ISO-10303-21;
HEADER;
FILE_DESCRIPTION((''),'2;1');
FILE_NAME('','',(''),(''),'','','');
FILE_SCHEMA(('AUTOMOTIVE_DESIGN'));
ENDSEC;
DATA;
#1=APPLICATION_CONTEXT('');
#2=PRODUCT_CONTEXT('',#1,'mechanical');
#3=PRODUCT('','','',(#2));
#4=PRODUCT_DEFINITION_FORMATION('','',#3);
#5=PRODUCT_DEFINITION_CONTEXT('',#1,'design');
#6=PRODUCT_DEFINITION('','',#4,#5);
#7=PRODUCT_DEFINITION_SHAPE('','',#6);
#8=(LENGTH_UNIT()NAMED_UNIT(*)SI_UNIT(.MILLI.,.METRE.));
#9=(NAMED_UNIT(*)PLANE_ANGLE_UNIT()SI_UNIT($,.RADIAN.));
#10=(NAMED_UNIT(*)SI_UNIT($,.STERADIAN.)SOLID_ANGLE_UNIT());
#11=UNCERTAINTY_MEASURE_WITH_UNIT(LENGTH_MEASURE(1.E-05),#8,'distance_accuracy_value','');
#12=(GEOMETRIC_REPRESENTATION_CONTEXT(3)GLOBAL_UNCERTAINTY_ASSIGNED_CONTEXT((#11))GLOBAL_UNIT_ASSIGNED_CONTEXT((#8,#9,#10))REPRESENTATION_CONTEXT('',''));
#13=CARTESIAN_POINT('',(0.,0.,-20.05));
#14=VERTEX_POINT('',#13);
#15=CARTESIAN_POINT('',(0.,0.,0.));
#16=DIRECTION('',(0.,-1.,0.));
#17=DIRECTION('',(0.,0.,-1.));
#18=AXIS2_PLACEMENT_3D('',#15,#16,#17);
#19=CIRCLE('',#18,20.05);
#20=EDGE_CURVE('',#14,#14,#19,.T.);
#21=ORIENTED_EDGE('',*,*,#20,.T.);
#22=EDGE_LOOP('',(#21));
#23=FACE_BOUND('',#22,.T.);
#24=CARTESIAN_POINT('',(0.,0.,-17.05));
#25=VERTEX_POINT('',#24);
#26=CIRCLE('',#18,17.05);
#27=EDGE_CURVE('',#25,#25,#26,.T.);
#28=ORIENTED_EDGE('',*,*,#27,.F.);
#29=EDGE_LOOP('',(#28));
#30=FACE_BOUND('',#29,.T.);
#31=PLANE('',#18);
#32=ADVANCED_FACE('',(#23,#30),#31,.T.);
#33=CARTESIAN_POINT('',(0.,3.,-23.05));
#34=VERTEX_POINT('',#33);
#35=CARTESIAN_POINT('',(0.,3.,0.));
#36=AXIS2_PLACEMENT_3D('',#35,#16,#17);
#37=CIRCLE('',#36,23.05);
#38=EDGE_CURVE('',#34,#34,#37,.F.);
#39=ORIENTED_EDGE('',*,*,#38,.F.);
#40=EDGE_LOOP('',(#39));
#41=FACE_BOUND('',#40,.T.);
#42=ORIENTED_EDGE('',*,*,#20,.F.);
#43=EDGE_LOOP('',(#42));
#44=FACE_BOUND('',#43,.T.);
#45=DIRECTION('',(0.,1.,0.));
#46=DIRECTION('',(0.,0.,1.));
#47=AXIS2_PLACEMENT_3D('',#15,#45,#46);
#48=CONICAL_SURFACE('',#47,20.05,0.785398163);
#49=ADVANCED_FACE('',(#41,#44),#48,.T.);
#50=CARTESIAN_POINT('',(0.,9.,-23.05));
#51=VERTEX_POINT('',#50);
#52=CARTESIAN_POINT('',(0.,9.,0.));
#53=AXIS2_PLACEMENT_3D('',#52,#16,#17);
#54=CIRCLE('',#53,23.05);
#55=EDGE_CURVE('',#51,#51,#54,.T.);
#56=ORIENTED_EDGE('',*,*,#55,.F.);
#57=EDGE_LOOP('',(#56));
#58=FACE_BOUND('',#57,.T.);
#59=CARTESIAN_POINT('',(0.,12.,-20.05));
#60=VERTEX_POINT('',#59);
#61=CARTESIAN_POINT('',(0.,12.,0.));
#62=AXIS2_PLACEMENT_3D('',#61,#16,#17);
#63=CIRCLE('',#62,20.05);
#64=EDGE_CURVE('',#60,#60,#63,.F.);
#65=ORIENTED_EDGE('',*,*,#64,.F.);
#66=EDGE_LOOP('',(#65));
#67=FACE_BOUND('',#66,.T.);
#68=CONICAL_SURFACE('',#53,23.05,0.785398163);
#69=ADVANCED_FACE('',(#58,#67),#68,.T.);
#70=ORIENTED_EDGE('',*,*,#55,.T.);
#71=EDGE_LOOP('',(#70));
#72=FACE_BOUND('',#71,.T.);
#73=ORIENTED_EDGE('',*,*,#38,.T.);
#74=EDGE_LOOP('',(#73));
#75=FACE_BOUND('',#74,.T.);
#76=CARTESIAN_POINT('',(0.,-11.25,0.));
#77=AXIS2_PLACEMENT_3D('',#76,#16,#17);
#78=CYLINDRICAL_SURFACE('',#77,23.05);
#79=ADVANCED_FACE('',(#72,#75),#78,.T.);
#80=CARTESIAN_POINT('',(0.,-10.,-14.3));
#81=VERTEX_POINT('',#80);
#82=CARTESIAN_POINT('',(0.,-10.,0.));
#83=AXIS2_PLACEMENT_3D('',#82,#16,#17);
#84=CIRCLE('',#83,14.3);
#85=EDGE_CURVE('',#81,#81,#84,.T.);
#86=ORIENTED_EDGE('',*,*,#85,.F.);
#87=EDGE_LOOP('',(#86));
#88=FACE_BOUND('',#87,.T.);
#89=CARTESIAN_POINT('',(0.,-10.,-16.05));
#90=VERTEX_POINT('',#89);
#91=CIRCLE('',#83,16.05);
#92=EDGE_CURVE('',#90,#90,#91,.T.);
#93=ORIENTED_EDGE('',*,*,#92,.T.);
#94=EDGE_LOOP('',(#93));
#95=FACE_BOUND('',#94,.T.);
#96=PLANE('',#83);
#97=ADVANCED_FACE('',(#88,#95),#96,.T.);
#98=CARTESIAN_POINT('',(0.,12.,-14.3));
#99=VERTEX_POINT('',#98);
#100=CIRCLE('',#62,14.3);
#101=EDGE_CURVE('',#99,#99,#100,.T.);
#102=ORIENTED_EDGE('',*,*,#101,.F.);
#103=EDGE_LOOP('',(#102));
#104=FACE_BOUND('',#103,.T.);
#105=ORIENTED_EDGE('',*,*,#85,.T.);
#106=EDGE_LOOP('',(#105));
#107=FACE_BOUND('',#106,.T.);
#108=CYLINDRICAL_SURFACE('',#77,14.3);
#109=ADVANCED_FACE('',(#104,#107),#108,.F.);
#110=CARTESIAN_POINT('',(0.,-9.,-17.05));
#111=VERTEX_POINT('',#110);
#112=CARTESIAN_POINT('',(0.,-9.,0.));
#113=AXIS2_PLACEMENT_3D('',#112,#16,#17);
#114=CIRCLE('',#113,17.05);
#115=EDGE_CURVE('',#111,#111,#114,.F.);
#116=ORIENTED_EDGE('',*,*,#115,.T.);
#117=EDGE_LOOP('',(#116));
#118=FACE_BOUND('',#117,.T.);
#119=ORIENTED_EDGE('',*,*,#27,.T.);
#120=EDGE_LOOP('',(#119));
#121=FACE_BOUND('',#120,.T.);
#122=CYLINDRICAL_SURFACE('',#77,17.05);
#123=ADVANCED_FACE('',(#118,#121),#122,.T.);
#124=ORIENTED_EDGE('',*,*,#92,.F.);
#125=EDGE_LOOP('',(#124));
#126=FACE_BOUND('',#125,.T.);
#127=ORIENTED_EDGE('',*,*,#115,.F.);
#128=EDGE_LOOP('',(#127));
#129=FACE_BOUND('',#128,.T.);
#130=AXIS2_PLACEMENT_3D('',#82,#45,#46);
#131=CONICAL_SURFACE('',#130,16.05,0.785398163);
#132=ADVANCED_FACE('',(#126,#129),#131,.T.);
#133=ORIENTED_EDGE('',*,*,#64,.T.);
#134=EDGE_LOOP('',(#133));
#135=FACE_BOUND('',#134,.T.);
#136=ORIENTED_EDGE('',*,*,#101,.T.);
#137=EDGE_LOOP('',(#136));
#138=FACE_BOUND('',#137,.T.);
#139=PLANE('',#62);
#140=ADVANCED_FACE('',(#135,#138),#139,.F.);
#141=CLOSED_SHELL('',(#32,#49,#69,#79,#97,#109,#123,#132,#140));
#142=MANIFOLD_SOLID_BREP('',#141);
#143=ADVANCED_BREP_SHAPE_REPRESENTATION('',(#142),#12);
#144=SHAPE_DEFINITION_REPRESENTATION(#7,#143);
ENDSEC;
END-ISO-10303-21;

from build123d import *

# Parameters (mm, degrees)
SKETCH2_W     = 2.75
SKETCH2_H     = 10
CHAMFER1_SIZE = 3
CHAMFER2_SIZE = 1


with BuildPart() as part:
    # Sketch2 → Revolve1 (revolve)
    with BuildSketch(Plane(origin=(0, 0, 0), x_dir=(0, 0, -1), z_dir=(1, 0, 0))):
        Polygon((14.3, 12), (14.3, 0), (17.05, 0), (23.05, 0), (23.05, 12), align=None)
        with Locations((15.675, -5)):
            Rectangle(SKETCH2_W, SKETCH2_H)
    revolve(axis=Axis((0, -11.25, 0), (0, 1, 0)))

    # Chamfer1
    chamfer1_edges = [part.edges().sort_by_distance(p)[0] for p in [
        (0, 12, 23.05),
        (0, 0, 23.05),
    ]]
    chamfer(chamfer1_edges, length=CHAMFER1_SIZE)

    # Chamfer2
    chamfer2_edges = [part.edges().sort_by_distance(p)[0] for p in [
        (0, -10, 17.05),
    ]]
    chamfer(chamfer2_edges, length=CHAMFER2_SIZE)


solid = part.part
